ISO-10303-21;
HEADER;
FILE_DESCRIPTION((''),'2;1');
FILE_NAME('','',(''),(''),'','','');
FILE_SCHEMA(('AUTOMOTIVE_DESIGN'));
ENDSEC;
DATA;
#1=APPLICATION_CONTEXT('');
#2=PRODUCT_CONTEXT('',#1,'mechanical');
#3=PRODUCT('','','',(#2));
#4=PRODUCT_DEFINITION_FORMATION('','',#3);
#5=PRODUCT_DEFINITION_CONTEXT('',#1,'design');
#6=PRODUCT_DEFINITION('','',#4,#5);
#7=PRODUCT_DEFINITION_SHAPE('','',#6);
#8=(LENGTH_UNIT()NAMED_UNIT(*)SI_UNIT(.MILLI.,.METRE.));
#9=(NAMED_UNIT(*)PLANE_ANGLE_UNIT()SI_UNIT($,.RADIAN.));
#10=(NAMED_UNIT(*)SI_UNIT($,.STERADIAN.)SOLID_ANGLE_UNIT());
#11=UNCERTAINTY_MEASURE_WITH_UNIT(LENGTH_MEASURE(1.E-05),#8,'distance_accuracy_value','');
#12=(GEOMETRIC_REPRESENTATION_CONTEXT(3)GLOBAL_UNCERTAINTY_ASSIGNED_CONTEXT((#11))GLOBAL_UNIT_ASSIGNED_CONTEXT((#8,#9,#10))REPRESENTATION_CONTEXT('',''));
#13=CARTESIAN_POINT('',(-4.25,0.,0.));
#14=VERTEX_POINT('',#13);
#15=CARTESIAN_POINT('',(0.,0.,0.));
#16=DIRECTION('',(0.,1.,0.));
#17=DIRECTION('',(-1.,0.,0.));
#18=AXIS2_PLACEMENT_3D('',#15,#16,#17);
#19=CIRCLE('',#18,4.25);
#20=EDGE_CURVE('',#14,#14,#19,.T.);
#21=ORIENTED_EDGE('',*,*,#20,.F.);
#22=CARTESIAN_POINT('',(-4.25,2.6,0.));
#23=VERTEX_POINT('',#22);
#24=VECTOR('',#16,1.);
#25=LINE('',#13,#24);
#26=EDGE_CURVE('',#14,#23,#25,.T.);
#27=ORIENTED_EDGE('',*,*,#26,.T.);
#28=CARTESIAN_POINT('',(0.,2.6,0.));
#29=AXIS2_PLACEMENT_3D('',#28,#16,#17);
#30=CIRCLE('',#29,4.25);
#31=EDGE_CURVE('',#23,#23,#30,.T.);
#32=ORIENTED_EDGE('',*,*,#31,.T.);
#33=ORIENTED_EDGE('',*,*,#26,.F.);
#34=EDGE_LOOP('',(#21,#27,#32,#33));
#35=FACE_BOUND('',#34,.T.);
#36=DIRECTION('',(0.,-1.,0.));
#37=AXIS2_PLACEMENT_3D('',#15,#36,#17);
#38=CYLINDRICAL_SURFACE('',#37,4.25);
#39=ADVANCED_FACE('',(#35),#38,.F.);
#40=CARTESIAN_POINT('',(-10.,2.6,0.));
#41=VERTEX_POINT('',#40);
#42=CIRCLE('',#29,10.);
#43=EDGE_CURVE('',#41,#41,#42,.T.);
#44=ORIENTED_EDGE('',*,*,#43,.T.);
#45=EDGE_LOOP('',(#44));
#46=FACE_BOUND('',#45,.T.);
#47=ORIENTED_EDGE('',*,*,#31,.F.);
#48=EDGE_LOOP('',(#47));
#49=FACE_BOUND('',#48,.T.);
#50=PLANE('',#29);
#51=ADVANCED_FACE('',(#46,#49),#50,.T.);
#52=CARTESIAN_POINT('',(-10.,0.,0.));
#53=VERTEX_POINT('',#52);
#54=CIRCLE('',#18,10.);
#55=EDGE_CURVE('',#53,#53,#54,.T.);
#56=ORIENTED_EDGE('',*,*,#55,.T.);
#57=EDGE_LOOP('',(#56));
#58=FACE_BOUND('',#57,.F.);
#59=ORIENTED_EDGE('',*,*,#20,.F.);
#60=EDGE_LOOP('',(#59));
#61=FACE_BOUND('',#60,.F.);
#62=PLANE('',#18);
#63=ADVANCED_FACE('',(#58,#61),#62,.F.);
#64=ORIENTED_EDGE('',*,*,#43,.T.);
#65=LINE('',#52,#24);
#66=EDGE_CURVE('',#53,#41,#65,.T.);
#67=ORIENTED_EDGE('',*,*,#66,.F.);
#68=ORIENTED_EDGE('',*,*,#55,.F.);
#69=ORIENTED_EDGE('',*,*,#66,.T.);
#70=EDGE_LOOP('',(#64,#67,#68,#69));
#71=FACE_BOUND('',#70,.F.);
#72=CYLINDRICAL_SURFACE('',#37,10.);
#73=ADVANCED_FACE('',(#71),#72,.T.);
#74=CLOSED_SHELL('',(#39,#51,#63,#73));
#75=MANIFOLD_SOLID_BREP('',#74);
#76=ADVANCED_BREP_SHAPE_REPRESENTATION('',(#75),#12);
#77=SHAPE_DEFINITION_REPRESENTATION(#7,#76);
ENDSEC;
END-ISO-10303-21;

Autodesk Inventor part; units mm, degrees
ref_plane "YZ Plane" through (0, 0, 0) normal (1, 0, 0) x (0, 1, 0)
ref_plane "XZ Plane" through (0, 0, 0) normal (0, 1, 0) x (-1, 0, 0)
ref_plane "XY Plane" through (0, 0, 0) normal (0, 0, 1) x (1, 0, 0)
sketch "スケッチ1" plane through (0, 0, 0) normal (0, 1, 0) x (-1, 0, 0)
  circle A0 centre (0, 0) radius 4.25
  circle A1 centre (0, 0) radius 10
  dimension "d0" = 8.5
  dimension "d1" = 20
extrude "押し出し1" add sketch "スケッチ1" along normal blind 2.6
properties part number "shoulder2_upperplate_left_spacer"
